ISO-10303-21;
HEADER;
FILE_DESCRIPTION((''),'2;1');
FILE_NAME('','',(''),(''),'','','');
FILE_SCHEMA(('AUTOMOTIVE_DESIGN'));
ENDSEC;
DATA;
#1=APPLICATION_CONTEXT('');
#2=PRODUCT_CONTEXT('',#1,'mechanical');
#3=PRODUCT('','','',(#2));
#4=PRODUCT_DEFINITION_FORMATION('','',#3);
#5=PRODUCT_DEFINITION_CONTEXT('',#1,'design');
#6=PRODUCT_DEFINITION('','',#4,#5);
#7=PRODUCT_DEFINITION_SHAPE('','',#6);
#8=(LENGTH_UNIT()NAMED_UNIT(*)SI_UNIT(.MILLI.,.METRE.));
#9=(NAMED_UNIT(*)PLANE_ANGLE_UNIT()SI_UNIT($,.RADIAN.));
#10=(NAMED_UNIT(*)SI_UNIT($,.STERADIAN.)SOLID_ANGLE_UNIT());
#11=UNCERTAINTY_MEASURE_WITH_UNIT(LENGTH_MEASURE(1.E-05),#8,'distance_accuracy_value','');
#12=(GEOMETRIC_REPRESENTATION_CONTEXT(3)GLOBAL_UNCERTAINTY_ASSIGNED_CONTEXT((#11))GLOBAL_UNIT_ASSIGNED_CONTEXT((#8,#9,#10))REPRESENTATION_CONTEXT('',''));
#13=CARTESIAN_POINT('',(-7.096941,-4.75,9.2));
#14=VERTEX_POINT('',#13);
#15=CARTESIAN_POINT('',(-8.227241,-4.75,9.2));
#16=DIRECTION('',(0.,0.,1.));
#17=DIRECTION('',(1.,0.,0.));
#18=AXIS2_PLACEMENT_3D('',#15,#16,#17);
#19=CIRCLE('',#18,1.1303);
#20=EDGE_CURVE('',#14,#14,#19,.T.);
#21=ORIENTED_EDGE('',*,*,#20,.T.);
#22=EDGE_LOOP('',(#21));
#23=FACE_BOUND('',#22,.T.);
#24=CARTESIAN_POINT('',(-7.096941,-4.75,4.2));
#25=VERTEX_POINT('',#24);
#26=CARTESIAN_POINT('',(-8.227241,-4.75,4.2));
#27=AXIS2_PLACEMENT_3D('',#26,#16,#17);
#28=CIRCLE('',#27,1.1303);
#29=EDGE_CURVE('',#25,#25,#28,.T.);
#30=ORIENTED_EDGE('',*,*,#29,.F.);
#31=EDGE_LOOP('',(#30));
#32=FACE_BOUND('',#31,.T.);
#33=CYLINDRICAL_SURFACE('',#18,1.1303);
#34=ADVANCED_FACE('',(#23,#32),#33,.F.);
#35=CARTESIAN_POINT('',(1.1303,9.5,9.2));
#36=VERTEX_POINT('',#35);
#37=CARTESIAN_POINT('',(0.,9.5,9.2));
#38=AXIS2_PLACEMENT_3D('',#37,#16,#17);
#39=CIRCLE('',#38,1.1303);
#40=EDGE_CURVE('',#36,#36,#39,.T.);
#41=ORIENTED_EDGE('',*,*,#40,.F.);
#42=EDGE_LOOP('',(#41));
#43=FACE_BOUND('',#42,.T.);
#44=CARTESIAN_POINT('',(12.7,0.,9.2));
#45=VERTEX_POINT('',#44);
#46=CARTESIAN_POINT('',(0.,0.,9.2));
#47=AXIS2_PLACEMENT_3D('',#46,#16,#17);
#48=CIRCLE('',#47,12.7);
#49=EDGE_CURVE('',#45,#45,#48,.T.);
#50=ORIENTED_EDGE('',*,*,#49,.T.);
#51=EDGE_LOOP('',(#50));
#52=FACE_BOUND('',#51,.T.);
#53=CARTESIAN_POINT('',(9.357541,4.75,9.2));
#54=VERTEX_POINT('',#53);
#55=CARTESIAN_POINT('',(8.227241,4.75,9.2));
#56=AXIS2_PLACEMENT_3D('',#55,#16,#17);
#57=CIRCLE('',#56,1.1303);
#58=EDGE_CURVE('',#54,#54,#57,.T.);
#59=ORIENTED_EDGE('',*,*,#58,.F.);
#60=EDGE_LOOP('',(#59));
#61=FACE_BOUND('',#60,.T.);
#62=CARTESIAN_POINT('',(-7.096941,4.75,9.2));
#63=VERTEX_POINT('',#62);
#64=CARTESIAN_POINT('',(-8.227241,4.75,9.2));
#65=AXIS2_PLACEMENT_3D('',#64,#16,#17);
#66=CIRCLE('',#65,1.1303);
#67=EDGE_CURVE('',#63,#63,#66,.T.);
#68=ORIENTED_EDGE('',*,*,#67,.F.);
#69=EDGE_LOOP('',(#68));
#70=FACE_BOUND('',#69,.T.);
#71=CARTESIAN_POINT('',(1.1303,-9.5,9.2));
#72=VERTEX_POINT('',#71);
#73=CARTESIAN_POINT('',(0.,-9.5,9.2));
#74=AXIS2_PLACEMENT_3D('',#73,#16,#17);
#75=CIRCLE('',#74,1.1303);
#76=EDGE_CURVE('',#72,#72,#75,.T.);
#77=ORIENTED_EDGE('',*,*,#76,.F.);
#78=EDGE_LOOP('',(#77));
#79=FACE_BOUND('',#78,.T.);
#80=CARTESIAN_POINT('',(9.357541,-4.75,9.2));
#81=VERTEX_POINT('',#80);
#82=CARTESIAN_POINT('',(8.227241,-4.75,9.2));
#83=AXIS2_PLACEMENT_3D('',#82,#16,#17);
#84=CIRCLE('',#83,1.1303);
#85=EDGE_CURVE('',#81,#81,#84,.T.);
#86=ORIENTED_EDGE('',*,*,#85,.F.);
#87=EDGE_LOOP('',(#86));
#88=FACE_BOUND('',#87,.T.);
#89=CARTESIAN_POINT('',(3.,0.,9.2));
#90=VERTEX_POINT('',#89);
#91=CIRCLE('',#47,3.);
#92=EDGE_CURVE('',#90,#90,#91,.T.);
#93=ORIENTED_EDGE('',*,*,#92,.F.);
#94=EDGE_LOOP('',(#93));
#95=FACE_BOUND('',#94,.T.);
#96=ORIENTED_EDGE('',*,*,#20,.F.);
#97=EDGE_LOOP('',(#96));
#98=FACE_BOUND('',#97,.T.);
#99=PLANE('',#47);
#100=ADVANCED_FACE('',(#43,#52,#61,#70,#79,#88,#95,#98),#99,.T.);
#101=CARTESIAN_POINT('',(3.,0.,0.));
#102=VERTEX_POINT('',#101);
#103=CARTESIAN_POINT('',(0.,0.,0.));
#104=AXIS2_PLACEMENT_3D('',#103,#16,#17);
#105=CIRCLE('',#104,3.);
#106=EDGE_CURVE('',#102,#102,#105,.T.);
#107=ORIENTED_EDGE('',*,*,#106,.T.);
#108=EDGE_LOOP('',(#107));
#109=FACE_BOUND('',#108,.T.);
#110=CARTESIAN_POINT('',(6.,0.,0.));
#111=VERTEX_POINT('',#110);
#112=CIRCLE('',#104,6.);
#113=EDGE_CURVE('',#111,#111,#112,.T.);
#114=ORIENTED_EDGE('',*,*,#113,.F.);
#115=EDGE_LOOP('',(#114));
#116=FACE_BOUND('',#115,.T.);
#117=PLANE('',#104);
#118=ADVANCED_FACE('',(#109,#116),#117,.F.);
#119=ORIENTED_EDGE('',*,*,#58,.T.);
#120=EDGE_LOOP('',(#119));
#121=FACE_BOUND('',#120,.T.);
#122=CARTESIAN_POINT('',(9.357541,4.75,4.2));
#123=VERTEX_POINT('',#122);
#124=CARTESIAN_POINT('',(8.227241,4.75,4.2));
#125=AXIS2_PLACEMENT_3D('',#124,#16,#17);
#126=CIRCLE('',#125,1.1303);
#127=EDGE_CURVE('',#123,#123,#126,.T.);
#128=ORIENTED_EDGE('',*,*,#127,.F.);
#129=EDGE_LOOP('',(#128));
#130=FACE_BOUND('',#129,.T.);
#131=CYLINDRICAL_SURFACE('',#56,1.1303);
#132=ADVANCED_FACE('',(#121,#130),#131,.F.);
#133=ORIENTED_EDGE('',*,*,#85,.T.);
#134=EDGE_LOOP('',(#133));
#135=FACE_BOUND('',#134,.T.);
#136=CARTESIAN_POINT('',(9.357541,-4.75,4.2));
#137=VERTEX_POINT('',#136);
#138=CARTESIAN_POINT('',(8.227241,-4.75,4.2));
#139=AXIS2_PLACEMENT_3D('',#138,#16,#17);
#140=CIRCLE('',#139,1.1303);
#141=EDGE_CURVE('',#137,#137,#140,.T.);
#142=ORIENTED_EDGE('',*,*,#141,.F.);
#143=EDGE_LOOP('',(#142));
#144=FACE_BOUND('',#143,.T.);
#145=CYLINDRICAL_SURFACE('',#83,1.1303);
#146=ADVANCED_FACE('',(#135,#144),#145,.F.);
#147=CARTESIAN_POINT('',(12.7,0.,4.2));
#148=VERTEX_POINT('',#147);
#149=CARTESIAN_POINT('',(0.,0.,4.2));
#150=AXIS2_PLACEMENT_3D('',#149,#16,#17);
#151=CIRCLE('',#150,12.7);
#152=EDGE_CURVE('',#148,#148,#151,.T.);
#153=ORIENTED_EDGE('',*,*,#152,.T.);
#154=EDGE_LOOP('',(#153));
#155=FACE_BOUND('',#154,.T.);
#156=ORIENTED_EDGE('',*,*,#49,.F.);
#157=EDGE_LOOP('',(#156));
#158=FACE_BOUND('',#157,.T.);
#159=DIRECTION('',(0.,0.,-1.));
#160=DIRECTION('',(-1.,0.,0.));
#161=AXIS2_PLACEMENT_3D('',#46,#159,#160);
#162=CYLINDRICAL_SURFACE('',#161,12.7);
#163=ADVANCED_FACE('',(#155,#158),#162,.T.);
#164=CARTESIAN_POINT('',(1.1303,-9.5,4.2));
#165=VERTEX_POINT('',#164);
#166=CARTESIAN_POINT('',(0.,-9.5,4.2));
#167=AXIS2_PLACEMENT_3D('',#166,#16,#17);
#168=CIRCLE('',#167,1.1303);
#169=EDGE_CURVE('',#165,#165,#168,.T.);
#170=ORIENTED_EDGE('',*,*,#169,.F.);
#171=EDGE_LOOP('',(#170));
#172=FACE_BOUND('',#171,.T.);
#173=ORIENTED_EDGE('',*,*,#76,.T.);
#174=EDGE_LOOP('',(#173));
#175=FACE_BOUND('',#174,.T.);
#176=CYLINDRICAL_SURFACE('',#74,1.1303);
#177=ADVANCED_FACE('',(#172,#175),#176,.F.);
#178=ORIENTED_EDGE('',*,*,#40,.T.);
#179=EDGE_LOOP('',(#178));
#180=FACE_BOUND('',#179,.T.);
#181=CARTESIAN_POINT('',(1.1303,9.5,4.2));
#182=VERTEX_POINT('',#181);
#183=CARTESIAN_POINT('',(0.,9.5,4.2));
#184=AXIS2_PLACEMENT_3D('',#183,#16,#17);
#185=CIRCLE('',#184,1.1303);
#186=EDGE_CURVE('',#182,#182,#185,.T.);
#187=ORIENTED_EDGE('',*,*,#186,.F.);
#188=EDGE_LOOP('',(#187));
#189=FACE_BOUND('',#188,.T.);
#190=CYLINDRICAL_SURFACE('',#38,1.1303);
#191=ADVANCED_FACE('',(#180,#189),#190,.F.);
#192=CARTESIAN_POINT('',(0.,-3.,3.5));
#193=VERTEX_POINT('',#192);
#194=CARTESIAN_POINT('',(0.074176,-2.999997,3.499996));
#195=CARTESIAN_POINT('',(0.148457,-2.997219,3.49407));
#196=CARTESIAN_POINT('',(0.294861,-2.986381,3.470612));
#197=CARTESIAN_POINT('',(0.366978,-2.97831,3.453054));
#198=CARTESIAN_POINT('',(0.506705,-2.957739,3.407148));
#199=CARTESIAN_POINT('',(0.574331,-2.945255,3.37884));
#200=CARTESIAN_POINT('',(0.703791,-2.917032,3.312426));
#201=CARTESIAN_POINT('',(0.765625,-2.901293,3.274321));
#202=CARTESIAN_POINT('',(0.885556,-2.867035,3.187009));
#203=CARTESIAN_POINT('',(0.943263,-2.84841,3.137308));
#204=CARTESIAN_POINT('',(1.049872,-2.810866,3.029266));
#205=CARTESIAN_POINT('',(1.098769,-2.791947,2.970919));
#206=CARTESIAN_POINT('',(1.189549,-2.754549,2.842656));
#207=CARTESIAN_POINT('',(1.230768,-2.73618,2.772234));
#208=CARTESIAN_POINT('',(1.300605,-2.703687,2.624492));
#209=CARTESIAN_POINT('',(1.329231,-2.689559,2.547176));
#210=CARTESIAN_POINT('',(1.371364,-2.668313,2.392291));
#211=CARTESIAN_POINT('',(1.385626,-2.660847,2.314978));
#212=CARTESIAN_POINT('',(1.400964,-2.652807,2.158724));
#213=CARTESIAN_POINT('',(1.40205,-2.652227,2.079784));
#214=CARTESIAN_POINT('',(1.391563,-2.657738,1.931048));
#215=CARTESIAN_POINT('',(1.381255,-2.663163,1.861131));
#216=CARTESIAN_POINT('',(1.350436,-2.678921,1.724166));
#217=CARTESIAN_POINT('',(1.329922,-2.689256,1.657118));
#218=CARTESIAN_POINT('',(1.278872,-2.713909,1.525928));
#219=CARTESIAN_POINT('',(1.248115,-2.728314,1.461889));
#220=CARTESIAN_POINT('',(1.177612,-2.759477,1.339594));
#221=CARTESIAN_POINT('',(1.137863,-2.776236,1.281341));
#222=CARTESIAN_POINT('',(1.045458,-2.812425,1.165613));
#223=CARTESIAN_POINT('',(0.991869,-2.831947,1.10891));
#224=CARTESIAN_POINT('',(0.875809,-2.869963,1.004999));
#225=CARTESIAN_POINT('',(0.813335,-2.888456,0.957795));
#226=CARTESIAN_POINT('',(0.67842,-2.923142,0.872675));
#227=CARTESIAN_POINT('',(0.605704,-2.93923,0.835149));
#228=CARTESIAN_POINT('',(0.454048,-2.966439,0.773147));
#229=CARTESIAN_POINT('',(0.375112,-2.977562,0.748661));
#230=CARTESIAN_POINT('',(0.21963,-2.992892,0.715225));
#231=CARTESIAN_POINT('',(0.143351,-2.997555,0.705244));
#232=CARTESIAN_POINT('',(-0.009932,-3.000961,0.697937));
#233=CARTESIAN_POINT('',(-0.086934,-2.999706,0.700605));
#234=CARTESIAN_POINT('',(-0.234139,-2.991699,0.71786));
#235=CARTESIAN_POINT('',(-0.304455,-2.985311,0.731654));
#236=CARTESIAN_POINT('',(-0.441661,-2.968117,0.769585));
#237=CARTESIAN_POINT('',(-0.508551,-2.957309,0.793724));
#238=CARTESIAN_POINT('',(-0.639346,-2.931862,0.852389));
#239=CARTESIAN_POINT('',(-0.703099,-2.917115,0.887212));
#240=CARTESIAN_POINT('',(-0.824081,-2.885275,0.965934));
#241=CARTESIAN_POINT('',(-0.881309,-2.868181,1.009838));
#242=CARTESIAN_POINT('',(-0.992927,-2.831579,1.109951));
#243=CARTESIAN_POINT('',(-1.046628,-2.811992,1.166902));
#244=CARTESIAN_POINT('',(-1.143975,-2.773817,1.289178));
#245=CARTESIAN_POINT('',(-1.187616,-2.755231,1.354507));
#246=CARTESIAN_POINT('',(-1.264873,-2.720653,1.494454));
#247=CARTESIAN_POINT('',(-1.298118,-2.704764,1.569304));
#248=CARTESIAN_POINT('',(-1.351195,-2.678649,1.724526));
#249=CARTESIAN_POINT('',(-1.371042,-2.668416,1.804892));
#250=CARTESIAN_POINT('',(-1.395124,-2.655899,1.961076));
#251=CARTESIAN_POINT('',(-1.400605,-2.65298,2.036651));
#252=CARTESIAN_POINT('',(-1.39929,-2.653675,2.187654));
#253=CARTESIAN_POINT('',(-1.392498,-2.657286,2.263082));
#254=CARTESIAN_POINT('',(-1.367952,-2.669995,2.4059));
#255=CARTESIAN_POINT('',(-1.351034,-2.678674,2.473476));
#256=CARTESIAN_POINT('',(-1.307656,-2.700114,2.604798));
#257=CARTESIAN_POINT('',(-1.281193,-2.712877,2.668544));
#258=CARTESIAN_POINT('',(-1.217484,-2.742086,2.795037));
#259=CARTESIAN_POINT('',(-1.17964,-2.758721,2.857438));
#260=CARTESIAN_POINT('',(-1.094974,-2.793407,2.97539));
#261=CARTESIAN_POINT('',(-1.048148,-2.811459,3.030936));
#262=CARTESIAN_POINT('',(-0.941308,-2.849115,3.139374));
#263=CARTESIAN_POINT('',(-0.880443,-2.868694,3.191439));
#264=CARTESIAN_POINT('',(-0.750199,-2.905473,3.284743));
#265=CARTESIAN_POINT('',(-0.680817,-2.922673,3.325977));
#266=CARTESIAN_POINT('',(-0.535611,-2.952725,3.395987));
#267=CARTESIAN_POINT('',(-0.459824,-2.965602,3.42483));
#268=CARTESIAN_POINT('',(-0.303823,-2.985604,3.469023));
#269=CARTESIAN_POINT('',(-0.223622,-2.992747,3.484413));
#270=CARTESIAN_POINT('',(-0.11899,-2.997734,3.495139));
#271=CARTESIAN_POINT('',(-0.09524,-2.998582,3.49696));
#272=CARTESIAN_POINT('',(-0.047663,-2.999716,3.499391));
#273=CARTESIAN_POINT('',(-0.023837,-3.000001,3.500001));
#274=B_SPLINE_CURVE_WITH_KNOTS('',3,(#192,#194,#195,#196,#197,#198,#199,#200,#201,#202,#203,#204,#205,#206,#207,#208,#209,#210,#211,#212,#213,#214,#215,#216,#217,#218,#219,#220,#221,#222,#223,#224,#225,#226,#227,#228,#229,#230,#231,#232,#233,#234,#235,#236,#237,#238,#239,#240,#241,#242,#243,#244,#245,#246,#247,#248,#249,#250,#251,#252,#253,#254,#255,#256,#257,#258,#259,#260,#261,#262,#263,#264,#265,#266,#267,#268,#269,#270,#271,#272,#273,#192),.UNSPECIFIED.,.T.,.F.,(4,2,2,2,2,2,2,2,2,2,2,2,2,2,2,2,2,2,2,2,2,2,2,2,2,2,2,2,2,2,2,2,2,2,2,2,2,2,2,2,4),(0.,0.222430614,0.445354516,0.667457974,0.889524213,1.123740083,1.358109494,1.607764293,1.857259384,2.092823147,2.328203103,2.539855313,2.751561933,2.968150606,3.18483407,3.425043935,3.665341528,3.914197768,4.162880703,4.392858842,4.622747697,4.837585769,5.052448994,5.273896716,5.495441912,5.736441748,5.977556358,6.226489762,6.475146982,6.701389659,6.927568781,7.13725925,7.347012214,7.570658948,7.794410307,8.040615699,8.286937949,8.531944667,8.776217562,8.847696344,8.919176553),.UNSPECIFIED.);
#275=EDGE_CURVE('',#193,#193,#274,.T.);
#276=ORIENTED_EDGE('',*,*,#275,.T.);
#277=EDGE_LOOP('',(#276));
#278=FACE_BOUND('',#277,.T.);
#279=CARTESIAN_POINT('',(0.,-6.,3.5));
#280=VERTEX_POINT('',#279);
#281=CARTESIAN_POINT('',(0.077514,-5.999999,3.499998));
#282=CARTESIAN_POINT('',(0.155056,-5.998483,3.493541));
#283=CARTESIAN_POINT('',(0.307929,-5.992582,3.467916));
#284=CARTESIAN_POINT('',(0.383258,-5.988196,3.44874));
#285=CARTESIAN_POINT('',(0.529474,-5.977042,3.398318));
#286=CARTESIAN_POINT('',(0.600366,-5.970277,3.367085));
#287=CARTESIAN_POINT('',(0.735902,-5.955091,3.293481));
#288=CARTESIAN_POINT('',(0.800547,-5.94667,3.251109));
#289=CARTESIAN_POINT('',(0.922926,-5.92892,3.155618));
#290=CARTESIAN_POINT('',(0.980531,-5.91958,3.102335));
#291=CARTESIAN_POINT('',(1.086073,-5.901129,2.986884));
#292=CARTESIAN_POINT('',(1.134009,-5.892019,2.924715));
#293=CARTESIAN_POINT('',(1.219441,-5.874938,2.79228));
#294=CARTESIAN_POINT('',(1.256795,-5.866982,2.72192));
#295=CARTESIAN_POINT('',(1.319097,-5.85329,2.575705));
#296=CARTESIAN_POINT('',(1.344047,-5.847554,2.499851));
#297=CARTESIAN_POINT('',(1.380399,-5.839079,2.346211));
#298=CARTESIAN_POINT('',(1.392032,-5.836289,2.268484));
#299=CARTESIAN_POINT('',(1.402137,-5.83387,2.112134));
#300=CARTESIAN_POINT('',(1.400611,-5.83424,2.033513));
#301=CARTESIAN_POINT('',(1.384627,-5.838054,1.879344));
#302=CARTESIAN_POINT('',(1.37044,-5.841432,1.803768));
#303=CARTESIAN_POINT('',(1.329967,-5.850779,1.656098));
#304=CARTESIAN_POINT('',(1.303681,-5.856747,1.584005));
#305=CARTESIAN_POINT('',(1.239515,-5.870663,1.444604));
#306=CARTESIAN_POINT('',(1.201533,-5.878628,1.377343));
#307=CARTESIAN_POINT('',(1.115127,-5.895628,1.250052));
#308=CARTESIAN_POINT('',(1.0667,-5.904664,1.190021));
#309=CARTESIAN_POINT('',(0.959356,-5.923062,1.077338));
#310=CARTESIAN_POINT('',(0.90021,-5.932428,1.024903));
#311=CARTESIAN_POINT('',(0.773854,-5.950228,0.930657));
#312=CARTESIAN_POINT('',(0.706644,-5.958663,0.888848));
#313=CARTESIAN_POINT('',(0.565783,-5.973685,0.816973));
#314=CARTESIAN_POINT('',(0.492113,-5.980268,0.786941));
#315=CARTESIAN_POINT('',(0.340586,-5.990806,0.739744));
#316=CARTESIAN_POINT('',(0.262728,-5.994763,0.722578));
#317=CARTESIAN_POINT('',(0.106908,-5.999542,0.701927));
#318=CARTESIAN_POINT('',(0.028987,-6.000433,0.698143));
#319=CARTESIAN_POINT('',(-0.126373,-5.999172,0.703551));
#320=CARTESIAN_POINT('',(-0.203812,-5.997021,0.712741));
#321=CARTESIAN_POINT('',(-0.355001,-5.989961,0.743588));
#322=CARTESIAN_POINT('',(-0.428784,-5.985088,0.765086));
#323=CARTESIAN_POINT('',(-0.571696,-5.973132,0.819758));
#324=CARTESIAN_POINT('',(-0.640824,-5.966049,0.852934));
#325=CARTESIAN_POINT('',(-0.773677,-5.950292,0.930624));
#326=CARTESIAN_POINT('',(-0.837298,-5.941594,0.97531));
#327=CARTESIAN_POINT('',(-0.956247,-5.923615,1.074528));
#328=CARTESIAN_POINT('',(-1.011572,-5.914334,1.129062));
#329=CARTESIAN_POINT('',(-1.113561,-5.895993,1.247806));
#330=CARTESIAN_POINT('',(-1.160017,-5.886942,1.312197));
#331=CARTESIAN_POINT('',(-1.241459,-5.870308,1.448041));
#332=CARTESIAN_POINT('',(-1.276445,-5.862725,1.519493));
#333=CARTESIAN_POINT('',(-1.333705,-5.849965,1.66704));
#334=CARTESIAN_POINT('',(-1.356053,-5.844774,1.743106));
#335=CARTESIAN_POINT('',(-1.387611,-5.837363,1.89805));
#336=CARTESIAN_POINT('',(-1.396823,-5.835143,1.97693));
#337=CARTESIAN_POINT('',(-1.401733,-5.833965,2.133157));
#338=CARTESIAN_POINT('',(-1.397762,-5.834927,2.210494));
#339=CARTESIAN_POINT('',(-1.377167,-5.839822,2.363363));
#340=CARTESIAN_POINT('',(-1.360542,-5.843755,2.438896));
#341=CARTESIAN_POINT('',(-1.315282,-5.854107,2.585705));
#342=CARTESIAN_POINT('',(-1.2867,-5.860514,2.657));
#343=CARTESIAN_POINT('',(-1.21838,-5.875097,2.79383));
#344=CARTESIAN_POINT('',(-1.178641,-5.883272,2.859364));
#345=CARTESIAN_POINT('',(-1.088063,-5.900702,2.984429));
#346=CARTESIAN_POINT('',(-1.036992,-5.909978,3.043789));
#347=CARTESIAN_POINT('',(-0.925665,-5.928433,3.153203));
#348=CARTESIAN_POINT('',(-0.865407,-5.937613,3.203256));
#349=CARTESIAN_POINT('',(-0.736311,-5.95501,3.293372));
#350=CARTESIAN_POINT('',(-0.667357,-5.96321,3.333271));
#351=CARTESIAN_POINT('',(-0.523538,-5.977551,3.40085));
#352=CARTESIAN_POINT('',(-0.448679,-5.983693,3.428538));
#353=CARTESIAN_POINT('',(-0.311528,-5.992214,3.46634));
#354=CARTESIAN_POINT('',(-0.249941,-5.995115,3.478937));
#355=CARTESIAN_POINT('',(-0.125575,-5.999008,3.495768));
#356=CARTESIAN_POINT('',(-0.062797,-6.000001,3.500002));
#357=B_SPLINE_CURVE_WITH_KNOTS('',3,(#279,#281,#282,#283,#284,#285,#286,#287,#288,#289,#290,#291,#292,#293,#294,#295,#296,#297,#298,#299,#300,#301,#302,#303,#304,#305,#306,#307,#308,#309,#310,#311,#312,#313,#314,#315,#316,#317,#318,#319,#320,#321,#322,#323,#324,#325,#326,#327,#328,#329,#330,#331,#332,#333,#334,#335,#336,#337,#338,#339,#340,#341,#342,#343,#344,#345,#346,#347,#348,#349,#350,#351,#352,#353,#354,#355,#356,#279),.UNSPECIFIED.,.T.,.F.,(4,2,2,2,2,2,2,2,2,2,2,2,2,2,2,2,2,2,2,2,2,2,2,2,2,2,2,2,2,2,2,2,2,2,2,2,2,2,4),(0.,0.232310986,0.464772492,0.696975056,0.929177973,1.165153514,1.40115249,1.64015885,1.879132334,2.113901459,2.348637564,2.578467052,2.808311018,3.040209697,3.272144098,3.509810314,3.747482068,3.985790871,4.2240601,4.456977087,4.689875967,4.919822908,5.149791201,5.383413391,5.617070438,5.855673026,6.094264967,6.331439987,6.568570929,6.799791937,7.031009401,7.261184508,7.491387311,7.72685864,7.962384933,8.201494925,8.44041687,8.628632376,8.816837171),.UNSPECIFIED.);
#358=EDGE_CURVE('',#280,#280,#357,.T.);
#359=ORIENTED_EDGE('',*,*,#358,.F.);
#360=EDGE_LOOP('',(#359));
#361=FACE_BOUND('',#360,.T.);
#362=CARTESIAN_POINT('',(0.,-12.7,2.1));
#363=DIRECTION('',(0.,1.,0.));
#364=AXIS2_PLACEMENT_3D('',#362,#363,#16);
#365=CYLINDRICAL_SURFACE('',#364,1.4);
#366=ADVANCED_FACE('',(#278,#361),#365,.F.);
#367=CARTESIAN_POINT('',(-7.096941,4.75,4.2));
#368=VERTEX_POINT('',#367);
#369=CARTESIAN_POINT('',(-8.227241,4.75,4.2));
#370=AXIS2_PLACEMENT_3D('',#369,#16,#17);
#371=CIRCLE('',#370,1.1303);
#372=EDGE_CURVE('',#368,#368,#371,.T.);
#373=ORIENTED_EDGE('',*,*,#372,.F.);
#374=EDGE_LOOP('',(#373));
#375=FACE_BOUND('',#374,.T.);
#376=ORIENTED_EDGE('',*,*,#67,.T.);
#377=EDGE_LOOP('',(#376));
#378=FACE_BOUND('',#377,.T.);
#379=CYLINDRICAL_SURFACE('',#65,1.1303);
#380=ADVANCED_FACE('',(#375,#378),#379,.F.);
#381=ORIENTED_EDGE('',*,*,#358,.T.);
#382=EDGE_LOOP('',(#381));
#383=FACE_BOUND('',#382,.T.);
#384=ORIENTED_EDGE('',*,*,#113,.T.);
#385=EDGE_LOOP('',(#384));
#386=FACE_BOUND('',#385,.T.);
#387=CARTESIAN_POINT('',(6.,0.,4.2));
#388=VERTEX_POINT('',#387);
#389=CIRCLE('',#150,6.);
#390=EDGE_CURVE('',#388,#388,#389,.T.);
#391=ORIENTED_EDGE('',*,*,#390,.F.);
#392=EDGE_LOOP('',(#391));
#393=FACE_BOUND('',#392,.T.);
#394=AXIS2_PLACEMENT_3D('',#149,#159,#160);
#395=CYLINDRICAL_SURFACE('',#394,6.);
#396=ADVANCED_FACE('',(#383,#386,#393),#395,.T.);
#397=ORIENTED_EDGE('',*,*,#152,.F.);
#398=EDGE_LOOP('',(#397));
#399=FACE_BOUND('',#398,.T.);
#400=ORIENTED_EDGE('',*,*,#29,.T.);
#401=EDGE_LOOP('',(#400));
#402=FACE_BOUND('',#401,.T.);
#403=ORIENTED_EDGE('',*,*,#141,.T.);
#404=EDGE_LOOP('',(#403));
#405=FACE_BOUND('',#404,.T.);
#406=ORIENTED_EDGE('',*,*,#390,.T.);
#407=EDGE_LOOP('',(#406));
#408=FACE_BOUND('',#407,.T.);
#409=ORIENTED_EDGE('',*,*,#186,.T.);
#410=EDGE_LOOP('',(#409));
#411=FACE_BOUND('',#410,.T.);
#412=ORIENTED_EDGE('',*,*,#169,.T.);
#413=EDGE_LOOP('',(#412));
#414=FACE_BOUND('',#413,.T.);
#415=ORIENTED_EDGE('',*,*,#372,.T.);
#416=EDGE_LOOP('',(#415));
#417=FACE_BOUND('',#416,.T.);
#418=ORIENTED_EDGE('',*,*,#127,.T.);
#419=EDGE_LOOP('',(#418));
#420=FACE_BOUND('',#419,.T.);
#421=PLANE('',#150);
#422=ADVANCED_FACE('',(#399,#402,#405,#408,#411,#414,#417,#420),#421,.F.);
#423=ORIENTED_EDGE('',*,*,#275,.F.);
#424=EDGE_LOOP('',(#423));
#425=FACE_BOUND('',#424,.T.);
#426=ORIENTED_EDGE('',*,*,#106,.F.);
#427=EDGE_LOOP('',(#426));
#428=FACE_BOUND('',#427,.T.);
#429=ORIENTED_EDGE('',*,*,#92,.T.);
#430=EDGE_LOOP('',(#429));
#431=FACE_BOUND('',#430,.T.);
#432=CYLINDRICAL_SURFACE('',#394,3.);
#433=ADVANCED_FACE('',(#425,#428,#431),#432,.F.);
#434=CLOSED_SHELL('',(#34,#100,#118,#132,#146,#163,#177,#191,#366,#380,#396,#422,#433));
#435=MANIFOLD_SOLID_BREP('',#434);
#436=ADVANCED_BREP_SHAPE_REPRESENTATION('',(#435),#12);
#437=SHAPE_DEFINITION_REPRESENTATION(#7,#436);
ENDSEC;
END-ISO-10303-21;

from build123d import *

# Parameters (mm, degrees)
SKETCH1_R                 = 6
SKETCH1_R_2               = 3
BOSS_EXTRUDE1_DEPTH       = 4.2
SKETCH2_R                 = 12.7
SKETCH2_R_2               = 3
BOSS_EXTRUDE2_DEPTH       = 5
SKETCH3_R                 = 1.4
CUT_EXTRUDE1_DEPTH        = 13.7
F_4_40_TAPPED_HOLE1_D     = 2.2606
F_4_40_TAPPED_HOLE1_DEPTH = 7.6
F_4_40_TAPPED_HOLE1_TIP   = 0.679152758


with BuildPart() as part:
    # Sketch1 → Boss-Extrude1 (new body)
    with BuildSketch(Plane.XY):
        Circle(SKETCH1_R)
        Circle(SKETCH1_R_2, mode=Mode.SUBTRACT)
    extrude(amount=BOSS_EXTRUDE1_DEPTH)

    # Sketch2 → Boss-Extrude2 (add)
    with BuildSketch(Plane.XY.offset(4.2)):
        Circle(SKETCH2_R)
        Circle(SKETCH2_R_2, mode=Mode.SUBTRACT)
    extrude(amount=BOSS_EXTRUDE2_DEPTH)

    # Sketch3 → Cut-Extrude1 (cut, through all)
    with BuildSketch(Plane(origin=(0, 0, 0), x_dir=(1, 0, 0), z_dir=(0, 1, 0))):
        with Locations((0, -2.1)):
            Circle(SKETCH3_R)
    extrude(amount=-CUT_EXTRUDE1_DEPTH, mode=Mode.SUBTRACT)

    # #4-40 Tapped Hole1
    with Locations(Plane.XY.offset(9.2)):
        with Locations((-8.227241336, -4.75), (-8.227241336, 4.75), (0, 9.5), (8.227241336, 4.75), (8.227241336, -4.75), (0, -9.5)):
            Hole(F_4_40_TAPPED_HOLE1_D / 2, depth=F_4_40_TAPPED_HOLE1_DEPTH)
            with Locations((0, 0, -(F_4_40_TAPPED_HOLE1_DEPTH + F_4_40_TAPPED_HOLE1_TIP / 2))):  # 118° drill point
                Cone(0, F_4_40_TAPPED_HOLE1_D / 2, F_4_40_TAPPED_HOLE1_TIP, mode=Mode.SUBTRACT)


solid = part.part
